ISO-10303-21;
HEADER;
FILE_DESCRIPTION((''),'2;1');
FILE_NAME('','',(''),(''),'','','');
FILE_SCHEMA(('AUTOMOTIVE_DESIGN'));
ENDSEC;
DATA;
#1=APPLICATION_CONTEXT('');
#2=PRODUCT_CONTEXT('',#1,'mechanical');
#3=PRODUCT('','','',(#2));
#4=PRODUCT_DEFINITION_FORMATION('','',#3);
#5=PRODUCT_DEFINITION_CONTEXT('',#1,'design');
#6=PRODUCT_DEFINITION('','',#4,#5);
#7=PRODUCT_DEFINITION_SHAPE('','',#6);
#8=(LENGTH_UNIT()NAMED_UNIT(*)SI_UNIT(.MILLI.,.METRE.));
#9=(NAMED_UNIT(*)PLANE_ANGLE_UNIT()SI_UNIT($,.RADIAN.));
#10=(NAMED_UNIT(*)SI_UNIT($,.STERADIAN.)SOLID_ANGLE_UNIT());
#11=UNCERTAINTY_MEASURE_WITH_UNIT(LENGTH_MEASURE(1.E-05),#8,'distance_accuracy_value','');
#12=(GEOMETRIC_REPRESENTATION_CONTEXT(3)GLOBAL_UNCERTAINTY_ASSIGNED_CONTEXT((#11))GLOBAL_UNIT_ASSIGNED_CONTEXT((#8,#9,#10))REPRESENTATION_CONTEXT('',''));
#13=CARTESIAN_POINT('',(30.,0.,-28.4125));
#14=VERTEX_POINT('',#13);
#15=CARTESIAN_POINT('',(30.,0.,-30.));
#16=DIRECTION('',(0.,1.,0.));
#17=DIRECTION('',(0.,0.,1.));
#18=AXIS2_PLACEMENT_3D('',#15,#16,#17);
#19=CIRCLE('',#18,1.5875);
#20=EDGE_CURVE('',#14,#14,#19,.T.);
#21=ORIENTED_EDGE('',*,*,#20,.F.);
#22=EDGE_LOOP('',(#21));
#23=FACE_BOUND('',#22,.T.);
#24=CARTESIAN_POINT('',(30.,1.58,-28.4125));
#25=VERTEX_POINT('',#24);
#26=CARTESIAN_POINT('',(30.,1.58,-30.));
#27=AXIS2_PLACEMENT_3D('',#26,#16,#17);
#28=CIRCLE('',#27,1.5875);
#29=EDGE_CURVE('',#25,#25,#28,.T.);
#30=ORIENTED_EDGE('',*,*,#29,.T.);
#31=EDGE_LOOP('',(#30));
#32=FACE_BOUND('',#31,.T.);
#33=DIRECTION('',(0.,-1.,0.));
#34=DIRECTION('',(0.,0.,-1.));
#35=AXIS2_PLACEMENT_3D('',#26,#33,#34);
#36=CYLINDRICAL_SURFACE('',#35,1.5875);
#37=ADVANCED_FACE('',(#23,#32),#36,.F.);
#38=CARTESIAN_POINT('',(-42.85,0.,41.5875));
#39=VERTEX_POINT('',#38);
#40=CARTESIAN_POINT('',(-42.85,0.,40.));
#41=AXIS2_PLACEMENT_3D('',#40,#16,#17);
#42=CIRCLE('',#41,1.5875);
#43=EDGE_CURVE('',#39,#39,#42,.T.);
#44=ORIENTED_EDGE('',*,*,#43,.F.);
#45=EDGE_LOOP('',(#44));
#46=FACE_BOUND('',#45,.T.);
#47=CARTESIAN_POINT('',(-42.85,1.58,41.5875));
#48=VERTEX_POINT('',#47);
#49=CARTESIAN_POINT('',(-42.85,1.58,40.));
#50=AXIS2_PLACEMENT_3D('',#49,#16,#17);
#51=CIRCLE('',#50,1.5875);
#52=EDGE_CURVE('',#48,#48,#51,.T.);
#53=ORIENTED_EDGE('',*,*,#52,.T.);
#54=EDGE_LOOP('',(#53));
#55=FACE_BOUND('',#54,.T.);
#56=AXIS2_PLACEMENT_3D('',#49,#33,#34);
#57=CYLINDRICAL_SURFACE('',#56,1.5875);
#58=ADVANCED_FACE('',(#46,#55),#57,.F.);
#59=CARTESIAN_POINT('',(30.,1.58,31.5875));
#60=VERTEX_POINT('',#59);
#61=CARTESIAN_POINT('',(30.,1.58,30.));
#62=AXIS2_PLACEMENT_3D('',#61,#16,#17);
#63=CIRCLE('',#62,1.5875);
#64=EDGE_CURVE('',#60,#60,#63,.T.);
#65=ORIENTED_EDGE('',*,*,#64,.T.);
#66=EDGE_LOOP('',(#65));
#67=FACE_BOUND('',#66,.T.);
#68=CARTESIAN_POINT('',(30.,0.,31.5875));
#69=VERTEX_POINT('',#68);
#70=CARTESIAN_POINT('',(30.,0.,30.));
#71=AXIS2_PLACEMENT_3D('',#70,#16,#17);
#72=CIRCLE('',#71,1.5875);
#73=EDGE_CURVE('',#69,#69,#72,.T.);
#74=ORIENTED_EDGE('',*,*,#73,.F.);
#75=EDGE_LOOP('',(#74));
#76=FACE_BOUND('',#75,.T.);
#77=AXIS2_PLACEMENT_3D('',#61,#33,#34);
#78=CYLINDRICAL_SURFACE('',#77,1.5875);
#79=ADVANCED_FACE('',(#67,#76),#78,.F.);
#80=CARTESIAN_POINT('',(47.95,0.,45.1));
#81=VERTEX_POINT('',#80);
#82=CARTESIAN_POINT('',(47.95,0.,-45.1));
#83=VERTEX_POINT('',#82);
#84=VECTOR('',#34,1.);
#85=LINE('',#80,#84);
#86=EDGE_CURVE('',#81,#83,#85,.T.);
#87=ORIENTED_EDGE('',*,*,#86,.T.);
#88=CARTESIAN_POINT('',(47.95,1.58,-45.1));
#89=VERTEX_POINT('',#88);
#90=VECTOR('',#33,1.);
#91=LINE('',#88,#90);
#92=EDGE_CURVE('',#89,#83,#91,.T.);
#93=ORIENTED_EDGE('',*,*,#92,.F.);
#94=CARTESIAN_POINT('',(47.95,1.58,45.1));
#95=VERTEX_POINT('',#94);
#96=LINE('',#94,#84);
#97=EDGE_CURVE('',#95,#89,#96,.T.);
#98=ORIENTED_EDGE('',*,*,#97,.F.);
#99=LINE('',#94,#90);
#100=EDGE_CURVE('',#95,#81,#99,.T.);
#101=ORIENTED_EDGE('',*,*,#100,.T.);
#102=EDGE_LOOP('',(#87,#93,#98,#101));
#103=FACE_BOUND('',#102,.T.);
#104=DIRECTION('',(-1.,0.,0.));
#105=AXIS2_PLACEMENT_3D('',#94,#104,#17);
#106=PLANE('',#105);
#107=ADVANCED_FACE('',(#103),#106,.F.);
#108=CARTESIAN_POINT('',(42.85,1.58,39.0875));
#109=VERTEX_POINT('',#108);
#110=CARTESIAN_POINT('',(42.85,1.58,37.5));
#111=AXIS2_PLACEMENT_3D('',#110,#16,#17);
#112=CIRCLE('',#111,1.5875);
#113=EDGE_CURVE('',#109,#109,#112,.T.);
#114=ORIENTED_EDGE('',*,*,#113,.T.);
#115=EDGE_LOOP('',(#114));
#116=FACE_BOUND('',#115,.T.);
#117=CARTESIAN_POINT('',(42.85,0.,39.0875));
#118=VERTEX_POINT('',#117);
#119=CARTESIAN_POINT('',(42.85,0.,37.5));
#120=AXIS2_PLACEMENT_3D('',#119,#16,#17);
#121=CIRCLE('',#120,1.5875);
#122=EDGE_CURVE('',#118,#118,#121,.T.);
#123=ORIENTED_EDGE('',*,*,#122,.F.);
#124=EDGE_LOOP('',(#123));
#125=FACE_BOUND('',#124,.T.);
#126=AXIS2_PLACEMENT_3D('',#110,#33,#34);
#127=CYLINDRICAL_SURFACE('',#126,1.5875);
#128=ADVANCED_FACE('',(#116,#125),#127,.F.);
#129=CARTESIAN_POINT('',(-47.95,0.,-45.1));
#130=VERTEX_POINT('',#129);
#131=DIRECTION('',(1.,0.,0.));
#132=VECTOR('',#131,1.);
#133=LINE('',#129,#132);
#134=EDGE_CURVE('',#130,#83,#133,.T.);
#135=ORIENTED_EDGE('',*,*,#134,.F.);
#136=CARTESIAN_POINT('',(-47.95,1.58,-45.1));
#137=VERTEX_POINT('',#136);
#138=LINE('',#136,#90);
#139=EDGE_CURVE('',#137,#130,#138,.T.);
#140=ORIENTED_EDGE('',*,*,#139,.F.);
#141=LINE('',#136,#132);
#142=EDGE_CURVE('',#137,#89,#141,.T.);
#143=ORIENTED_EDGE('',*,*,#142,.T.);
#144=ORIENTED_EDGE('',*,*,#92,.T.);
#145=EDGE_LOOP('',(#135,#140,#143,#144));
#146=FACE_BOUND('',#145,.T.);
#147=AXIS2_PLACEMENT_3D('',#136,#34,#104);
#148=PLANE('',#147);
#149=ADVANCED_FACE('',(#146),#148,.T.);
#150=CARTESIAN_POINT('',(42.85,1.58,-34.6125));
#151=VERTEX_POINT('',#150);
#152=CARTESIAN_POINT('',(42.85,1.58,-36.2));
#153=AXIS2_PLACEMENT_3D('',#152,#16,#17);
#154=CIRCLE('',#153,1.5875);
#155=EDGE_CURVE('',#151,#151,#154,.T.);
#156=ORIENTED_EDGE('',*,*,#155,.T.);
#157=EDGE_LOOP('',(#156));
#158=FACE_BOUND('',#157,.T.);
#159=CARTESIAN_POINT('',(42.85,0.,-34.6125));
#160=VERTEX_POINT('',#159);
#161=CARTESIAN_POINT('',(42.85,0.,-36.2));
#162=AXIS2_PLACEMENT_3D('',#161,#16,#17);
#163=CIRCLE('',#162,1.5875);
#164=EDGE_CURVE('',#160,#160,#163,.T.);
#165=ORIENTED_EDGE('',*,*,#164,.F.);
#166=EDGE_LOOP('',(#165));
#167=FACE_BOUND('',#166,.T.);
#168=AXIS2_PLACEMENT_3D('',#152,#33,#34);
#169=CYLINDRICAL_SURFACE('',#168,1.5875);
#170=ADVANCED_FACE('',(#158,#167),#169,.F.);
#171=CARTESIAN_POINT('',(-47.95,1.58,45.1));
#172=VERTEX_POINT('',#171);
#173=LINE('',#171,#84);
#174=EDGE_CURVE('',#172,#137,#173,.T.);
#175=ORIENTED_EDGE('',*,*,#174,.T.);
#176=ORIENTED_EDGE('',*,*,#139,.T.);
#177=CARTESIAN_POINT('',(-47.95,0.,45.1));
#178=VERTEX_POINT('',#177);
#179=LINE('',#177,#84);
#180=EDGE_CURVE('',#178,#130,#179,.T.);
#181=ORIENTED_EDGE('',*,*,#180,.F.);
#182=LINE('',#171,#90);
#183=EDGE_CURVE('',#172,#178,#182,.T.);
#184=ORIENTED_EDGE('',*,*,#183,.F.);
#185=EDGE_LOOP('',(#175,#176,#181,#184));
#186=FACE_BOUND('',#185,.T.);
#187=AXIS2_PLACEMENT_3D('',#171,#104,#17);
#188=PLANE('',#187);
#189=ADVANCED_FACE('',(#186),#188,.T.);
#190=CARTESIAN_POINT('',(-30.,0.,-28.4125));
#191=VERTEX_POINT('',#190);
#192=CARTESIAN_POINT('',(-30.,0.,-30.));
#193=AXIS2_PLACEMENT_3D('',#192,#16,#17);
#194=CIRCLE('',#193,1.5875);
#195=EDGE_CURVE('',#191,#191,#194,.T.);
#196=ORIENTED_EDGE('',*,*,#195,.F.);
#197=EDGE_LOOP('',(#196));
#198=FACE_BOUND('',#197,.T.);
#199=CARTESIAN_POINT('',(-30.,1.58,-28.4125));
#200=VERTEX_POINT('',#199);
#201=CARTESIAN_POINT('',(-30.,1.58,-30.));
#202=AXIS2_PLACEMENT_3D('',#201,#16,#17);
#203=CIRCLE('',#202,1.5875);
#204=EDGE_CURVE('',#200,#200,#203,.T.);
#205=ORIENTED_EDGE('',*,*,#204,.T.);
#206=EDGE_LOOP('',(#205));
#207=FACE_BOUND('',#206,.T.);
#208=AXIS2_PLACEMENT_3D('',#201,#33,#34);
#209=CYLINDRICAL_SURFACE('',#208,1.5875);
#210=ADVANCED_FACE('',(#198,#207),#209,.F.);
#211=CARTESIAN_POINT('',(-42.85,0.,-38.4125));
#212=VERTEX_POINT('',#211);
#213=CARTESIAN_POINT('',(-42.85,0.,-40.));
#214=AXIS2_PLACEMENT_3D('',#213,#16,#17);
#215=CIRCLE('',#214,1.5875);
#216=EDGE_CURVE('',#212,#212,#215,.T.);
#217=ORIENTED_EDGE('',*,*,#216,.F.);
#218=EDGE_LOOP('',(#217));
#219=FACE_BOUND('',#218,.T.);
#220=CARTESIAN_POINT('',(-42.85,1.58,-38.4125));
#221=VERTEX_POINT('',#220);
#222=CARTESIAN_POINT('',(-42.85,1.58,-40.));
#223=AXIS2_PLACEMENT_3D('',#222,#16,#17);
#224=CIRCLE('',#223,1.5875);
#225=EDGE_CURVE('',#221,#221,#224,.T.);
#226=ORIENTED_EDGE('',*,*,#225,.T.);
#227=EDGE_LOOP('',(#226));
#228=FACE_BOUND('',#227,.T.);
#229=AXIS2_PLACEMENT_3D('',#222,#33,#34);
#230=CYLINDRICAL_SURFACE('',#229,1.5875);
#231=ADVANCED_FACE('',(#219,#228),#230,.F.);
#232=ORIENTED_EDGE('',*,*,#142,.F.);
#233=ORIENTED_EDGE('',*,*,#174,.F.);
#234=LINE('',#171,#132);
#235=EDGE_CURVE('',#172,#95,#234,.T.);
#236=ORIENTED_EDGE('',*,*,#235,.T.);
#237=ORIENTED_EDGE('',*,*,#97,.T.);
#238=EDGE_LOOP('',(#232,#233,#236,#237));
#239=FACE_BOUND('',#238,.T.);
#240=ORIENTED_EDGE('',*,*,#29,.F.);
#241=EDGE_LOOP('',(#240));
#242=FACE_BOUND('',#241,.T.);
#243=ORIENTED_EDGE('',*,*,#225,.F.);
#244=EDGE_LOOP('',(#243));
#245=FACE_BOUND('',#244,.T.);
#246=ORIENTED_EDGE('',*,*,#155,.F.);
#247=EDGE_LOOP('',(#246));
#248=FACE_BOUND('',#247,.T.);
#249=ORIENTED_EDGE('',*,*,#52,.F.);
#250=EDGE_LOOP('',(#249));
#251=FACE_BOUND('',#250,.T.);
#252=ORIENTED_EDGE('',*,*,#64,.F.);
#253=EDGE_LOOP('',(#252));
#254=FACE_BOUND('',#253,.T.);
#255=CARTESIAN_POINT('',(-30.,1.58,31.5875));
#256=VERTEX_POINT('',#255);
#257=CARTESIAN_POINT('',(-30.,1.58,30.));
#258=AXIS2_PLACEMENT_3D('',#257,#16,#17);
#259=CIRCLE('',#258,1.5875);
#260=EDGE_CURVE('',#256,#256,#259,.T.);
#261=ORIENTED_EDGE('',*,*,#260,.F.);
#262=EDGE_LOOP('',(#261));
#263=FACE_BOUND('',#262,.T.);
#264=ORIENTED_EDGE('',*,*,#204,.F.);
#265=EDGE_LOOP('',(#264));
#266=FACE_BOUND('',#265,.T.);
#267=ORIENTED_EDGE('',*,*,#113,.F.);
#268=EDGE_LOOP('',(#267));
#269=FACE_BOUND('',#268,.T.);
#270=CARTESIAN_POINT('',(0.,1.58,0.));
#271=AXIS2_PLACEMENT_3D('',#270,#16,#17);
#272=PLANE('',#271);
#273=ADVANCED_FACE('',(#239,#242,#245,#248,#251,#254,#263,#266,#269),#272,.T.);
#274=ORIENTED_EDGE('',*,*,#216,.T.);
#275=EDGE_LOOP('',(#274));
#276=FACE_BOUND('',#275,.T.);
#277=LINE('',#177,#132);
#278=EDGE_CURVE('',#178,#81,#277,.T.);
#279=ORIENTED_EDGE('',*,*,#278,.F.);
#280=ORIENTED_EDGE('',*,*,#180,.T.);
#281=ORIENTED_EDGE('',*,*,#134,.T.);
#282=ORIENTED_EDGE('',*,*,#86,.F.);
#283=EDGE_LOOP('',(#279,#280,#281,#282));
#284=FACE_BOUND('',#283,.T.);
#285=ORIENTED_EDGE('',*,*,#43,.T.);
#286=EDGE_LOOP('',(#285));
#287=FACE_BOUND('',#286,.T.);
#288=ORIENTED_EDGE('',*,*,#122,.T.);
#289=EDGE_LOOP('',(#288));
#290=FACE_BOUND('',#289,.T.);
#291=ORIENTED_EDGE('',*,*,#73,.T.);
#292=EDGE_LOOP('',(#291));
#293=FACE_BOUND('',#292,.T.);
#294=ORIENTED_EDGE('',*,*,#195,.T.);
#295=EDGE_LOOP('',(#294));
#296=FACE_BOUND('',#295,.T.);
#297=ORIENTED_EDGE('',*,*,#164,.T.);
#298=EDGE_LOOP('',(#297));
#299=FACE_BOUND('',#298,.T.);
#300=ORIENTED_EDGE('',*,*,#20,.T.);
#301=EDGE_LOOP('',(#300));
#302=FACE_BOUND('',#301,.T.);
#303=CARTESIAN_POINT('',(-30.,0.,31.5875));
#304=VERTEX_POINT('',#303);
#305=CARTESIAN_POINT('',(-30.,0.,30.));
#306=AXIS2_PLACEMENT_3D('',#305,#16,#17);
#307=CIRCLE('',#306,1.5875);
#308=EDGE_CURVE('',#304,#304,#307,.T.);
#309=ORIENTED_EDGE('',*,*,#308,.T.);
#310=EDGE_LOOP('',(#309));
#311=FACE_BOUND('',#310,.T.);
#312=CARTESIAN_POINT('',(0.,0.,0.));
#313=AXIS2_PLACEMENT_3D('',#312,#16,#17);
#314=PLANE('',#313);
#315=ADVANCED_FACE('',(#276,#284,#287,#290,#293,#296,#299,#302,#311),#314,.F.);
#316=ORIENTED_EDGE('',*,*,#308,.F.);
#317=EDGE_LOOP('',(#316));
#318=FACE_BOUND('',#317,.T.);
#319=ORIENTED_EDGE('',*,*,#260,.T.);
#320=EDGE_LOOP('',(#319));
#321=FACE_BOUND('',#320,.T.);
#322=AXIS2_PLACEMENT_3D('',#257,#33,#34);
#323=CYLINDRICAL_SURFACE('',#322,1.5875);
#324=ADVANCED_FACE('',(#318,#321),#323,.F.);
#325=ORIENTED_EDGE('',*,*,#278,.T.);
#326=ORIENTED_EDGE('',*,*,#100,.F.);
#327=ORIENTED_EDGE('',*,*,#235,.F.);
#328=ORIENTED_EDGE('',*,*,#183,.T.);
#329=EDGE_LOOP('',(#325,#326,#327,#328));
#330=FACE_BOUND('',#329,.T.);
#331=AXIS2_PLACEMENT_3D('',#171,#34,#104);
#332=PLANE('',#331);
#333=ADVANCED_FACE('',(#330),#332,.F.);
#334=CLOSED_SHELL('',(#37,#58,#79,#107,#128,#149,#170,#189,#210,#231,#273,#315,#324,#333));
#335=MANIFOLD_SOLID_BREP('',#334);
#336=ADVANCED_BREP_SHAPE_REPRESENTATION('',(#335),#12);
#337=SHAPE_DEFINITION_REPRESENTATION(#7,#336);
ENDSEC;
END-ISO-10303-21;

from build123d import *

# Parameters (mm, degrees)
SKETCH2_W           = 95.9
SKETCH2_H           = 90.2
SKETCH2_R           = 1.5875
BOSS_EXTRUDE1_DEPTH = 1.58


with BuildPart() as part:
    # Sketch2 → Boss-Extrude1 (new body)
    with BuildSketch(Plane(origin=(0, 0, 0), x_dir=(1, 0, 0), z_dir=(0, 1, 0))):
        Rectangle(SKETCH2_W, SKETCH2_H)
        with Locations((30, 30)):
            Circle(SKETCH2_R, mode=Mode.SUBTRACT)
        with Locations((30, -30)):
            Circle(SKETCH2_R, mode=Mode.SUBTRACT)
        with Locations((-30, -30)):
            Circle(SKETCH2_R, mode=Mode.SUBTRACT)
        with Locations((-30, 30)):
            Circle(SKETCH2_R, mode=Mode.SUBTRACT)
        with Locations((-42.85, 40)):
            Circle(SKETCH2_R, mode=Mode.SUBTRACT)
        with Locations((-42.85, -40)):
            Circle(SKETCH2_R, mode=Mode.SUBTRACT)
        with Locations((42.85, 36.2)):
            Circle(SKETCH2_R, mode=Mode.SUBTRACT)
        with Locations((42.85, -37.5)):
            Circle(SKETCH2_R, mode=Mode.SUBTRACT)
    extrude(amount=BOSS_EXTRUDE1_DEPTH)


solid = part.part
